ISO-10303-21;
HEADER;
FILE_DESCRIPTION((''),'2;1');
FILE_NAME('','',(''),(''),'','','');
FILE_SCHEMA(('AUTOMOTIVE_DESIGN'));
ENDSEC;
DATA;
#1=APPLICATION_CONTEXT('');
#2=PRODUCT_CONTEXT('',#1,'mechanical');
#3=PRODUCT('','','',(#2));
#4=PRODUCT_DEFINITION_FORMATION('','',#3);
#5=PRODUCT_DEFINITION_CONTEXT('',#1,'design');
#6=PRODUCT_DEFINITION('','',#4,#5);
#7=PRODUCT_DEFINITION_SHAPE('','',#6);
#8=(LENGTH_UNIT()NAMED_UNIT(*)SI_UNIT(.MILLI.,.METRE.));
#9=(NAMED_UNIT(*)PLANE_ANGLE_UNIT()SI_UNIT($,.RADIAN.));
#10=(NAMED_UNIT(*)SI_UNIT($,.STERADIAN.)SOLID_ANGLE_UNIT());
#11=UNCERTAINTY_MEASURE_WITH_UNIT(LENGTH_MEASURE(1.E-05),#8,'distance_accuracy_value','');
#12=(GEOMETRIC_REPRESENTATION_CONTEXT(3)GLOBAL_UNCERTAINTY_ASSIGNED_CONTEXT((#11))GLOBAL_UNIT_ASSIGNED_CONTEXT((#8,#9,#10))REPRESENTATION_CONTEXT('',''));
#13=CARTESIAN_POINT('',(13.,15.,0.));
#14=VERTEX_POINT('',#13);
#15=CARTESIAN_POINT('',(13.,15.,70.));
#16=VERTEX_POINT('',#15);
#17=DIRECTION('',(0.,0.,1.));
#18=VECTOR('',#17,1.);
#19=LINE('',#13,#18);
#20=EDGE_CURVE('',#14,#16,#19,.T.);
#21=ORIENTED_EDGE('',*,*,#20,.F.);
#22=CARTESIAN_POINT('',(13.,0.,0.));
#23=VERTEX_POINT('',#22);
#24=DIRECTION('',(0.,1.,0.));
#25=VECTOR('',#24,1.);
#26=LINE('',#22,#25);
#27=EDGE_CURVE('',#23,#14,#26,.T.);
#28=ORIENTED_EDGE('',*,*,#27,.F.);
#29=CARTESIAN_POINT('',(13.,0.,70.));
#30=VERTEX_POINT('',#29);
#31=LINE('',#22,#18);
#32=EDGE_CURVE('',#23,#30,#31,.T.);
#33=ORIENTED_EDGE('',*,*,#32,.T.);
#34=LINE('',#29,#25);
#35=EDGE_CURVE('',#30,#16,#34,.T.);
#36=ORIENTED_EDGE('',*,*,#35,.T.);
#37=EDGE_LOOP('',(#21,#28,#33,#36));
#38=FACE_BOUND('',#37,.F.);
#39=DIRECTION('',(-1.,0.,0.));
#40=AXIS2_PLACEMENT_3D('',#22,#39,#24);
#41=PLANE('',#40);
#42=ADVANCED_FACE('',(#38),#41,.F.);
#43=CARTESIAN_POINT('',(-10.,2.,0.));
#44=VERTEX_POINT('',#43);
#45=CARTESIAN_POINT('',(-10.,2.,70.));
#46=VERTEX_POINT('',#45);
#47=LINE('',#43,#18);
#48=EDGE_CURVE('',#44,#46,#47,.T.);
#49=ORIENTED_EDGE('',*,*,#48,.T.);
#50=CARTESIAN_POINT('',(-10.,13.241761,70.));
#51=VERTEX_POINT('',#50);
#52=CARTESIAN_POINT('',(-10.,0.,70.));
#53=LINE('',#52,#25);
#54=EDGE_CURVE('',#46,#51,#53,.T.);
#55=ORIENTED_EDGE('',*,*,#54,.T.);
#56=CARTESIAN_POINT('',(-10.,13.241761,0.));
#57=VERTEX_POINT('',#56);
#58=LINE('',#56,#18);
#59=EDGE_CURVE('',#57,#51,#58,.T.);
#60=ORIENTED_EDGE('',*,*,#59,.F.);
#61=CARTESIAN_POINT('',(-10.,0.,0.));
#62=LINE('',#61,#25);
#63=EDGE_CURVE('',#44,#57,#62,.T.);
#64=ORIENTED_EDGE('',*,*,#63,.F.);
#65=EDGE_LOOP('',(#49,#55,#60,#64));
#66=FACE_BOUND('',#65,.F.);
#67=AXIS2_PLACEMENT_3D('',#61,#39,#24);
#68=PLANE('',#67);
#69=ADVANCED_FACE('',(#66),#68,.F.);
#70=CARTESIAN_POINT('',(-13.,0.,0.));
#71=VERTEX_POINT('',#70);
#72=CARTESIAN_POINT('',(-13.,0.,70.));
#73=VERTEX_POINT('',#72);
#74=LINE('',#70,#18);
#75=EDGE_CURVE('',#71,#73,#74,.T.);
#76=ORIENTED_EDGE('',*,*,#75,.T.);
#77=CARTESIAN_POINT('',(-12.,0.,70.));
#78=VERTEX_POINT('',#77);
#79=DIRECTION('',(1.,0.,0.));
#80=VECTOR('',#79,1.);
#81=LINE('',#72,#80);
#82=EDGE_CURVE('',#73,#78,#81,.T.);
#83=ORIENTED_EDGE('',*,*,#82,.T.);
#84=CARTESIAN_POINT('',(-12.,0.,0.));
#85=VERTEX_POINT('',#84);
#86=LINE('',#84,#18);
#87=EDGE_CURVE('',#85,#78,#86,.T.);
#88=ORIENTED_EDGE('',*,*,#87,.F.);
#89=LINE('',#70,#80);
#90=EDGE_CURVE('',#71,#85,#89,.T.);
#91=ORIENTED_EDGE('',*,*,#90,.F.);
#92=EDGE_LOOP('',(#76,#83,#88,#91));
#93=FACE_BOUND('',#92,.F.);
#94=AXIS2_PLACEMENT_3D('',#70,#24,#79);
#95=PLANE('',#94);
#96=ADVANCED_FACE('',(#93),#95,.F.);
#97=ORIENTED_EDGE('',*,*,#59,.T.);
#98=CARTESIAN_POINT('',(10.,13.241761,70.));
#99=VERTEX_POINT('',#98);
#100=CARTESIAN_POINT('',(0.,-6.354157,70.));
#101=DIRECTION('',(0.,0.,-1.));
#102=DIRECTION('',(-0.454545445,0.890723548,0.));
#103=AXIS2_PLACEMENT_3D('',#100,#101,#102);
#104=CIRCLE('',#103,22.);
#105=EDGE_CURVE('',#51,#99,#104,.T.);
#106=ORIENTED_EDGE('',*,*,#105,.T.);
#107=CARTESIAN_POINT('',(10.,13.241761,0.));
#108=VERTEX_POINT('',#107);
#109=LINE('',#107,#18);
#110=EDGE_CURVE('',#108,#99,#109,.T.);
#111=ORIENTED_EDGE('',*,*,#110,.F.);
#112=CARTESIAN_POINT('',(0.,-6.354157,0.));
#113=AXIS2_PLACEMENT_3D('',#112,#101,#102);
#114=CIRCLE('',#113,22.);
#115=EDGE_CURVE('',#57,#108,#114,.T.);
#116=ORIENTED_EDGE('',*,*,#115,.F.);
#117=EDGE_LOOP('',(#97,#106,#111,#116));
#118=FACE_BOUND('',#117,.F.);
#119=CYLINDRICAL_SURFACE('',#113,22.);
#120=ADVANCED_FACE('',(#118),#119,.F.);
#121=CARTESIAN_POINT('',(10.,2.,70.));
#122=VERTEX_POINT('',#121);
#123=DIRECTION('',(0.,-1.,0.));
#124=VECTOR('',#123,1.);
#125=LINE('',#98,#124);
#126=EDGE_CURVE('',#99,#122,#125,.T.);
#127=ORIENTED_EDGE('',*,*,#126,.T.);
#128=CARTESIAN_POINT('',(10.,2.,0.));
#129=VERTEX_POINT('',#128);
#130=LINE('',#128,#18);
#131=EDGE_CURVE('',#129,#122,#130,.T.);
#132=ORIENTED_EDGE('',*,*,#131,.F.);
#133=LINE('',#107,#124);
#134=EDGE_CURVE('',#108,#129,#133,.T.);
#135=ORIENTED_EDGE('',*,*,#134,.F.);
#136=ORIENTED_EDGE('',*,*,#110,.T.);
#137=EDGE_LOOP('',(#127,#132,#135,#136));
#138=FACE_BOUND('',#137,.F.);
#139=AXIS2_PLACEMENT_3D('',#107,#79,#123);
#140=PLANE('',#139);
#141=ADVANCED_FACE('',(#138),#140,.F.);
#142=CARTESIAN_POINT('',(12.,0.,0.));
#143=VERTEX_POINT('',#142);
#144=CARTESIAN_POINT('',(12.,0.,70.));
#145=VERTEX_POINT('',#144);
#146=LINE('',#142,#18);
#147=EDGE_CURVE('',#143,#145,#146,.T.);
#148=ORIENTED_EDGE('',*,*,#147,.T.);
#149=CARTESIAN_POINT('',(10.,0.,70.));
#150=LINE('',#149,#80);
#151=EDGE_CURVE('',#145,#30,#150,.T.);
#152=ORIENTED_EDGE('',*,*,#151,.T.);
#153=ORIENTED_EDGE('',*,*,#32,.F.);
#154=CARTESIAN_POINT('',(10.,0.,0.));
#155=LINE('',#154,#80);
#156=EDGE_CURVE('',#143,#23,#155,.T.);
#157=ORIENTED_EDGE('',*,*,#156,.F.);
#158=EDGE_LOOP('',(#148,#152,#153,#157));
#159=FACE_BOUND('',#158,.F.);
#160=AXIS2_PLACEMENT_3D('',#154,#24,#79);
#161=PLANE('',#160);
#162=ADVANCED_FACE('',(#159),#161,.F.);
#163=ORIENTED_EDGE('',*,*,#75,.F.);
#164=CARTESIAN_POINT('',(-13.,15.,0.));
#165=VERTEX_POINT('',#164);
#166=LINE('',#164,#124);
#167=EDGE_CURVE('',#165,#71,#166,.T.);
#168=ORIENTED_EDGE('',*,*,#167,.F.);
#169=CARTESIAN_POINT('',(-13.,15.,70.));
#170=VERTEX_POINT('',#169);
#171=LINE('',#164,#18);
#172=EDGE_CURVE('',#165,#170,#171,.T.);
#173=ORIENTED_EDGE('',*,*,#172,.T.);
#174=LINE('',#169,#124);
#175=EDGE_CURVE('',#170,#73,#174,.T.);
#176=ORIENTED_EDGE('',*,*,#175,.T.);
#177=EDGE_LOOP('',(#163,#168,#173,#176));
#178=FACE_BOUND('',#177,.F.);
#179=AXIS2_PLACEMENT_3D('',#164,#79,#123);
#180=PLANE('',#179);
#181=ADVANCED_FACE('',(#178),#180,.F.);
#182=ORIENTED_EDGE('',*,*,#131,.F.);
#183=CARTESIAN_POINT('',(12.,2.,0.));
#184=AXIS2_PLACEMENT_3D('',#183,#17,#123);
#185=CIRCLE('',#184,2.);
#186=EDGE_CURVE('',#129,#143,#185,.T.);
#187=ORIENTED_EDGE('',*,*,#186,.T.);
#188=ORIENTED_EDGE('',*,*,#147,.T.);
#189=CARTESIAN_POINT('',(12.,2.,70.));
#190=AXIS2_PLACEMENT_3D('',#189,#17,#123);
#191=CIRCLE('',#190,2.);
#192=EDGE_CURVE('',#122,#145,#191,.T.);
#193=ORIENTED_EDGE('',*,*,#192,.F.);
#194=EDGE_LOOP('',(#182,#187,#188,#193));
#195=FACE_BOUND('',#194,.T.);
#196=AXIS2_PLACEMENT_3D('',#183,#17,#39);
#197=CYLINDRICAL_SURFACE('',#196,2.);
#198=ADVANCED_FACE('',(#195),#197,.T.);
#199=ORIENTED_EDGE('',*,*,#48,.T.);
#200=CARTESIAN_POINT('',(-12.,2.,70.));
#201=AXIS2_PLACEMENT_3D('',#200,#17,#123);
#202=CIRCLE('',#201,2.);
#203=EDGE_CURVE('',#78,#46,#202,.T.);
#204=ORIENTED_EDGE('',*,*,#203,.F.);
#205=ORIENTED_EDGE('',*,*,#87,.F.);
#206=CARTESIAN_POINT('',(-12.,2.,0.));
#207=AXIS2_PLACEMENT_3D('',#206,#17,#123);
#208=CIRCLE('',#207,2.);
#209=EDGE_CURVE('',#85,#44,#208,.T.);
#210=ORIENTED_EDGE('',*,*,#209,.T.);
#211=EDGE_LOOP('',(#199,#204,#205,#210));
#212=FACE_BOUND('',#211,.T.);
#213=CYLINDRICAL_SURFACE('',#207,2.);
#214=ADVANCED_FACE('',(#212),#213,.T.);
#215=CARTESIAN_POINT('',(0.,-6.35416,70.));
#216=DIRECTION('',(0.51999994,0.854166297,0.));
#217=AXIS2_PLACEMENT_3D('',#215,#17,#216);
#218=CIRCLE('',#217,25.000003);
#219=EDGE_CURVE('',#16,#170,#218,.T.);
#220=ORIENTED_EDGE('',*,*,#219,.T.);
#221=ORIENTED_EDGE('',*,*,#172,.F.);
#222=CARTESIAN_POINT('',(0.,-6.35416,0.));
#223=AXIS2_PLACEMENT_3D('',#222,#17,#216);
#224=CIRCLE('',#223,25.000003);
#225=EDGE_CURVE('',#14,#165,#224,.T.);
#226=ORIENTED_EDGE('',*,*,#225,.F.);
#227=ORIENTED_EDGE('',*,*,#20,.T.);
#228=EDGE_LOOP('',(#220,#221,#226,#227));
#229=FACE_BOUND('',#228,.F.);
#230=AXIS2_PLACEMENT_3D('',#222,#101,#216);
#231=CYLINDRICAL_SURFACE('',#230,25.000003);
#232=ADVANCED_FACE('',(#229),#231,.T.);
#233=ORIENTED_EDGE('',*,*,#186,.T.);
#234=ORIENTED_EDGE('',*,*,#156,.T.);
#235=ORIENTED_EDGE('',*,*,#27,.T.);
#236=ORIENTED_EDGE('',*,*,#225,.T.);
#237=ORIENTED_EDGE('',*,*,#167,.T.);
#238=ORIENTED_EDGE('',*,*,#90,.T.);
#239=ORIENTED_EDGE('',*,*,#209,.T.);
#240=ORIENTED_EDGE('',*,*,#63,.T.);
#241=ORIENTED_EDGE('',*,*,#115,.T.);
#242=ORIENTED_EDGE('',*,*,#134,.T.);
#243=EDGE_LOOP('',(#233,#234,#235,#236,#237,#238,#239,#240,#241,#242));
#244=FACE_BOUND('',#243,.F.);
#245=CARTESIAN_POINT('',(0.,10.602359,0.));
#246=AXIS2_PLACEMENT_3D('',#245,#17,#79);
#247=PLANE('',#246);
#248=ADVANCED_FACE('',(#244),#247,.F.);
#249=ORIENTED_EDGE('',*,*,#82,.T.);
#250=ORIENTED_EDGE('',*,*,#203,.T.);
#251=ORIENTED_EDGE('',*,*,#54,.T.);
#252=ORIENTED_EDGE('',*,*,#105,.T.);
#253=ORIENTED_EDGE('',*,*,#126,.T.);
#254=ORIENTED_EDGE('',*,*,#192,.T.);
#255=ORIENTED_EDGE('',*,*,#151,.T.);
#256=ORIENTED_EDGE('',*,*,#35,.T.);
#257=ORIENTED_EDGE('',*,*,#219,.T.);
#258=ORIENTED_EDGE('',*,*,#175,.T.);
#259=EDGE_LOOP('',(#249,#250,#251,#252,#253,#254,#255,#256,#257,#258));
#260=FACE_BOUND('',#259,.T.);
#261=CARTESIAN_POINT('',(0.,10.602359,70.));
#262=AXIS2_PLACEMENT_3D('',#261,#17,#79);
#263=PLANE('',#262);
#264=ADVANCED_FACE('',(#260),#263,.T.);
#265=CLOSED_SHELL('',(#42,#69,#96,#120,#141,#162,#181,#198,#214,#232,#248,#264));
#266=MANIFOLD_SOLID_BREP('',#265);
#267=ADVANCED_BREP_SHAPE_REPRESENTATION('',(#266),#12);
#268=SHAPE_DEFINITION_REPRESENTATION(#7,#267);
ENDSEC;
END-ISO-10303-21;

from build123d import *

# Parameters (mm, degrees)
F1_DEPTH = 70
F2_R     = 2


with BuildPart() as f1:
    # F0 (on Top) → F1 (new body)
    with BuildSketch(Plane.XY):
        with BuildLine():
            Line((13, 0), (13, 15))
            ThreePointArc((13, 15), (0, 18.645843), (-13, 15))
            Line((-13, 15), (-13, 0))
            Line((-13, 0), (-10, 0))
            Line((-10, 0), (-10, 13.241761))
            ThreePointArc((-10, 13.241761), (0, 15.645843), (10, 13.241761))
            Line((10, 13.241761), (10, 0))
            Line((10, 0), (13, 0))
        make_face()
    extrude(amount=F1_DEPTH)

    # F2
    f2_edges = [f1.edges().sort_by_distance(p)[0] for p in [
        (-10, 0, 35),
        (10, 0, 35),
    ]]
    fillet(f2_edges, radius=F2_R)


solid = f1.part
